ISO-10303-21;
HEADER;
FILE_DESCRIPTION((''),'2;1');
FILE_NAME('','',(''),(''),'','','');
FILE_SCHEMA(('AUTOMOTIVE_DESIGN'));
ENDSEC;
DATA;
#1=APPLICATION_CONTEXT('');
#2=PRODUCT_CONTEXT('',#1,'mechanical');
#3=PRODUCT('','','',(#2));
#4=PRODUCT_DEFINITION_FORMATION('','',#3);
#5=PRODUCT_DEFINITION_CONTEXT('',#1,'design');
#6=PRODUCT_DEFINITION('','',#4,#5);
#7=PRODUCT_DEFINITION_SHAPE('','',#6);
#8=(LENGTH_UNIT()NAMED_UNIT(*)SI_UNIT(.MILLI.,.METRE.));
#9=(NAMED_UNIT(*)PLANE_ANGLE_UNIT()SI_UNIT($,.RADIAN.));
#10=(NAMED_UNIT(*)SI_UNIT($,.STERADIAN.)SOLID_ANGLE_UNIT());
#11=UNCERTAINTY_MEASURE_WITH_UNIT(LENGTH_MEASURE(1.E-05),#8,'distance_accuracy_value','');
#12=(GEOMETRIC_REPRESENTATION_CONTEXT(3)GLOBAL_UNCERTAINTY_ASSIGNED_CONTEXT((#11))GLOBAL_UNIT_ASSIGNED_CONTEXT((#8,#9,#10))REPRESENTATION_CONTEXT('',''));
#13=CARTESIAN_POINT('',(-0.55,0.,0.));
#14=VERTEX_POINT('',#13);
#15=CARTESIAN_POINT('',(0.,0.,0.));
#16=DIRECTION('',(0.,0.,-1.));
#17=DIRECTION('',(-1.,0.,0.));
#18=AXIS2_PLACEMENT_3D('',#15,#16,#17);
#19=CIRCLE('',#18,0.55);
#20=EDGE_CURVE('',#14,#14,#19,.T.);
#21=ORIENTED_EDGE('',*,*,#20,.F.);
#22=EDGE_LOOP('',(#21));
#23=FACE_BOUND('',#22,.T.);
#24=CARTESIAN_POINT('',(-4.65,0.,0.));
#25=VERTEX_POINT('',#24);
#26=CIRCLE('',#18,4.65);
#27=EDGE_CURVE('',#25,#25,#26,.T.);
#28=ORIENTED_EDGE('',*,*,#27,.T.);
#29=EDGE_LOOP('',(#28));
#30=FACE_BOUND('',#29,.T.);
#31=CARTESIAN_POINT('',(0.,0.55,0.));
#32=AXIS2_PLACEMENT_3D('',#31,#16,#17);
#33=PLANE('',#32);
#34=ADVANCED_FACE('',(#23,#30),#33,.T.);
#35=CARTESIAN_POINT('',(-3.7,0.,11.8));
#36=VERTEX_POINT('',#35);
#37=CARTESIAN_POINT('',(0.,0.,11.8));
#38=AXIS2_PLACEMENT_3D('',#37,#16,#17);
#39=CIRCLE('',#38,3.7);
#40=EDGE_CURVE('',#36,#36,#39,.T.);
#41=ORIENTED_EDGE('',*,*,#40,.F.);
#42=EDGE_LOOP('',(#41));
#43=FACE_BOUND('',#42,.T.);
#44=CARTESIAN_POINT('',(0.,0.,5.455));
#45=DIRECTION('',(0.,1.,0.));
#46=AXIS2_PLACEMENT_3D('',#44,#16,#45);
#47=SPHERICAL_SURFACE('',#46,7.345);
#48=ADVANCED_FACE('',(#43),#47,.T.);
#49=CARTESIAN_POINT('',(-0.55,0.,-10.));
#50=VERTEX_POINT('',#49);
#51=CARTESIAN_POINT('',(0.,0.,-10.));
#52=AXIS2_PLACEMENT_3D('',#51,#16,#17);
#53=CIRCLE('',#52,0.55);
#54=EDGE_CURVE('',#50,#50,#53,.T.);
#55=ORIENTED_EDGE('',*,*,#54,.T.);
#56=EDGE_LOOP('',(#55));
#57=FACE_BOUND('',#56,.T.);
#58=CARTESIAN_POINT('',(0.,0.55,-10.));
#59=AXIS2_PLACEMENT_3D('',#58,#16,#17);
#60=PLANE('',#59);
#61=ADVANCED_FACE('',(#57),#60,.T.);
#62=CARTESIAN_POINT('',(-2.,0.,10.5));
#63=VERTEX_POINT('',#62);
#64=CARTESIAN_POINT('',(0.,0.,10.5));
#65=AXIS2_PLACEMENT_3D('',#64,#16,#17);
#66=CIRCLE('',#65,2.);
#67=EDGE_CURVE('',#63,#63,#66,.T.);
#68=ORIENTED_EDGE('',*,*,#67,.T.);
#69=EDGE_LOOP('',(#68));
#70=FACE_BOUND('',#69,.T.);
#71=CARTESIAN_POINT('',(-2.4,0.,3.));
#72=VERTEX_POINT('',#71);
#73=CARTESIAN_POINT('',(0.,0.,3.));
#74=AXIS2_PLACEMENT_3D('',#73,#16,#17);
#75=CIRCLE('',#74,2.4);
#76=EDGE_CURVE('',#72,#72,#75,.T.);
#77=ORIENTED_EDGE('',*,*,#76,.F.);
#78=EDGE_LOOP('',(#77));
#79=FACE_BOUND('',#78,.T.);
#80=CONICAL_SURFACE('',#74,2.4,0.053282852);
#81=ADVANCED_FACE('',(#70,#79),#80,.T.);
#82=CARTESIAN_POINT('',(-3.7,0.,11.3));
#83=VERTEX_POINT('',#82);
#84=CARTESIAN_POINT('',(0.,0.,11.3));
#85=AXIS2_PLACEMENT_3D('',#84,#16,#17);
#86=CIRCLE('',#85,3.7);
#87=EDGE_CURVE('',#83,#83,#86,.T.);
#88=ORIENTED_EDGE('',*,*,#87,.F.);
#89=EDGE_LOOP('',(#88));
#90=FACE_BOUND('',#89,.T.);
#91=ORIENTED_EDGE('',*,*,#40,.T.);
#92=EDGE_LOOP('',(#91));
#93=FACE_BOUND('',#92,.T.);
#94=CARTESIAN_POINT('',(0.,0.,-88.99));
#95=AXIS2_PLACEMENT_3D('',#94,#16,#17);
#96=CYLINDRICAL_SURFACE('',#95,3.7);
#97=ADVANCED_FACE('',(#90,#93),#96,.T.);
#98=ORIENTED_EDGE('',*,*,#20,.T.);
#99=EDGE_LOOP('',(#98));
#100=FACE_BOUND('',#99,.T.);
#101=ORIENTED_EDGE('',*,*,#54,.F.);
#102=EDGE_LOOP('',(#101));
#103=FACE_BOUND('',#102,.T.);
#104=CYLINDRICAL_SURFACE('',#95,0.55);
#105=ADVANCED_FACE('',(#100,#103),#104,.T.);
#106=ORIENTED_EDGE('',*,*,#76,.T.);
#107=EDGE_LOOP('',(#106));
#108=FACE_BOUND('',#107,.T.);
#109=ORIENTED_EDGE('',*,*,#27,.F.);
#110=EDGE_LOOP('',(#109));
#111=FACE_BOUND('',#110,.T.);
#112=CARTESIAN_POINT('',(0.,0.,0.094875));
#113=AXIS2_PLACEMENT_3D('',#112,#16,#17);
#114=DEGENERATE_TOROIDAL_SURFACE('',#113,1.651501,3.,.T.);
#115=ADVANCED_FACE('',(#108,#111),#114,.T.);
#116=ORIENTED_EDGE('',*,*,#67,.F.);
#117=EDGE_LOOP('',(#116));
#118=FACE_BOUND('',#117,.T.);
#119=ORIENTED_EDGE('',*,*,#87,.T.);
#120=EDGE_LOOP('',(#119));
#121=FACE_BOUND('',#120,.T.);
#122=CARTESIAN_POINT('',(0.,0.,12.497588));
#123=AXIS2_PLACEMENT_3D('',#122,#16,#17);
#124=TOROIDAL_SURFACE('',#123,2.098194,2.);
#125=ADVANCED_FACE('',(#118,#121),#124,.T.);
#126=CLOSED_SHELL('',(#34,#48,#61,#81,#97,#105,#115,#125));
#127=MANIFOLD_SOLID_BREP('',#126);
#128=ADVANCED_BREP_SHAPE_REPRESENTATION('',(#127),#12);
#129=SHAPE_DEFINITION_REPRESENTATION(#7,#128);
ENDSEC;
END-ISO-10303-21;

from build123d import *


with BuildPart() as part:
    # Sketch2 → Revolve1 (revolve)
    with BuildSketch(Plane(origin=(0, 0, 0), x_dir=(0, 0, -1), z_dir=(1, 0, 0))):
        with BuildLine():
            Line((10, 0.55), (0, 0.55))
            Line((0, 0.55), (0, 4.65))
            ThreePointArc((0, 4.65), (-1.89487545, 4.0515006), (-3, 2.4))
            Line((-3, 2.4), (-10.5, 2))
            ThreePointArc((-10.5, 2), (-10.687950632, 2.949787938), (-11.3, 3.7))
            Line((-11.3, 3.7), (-11.8, 3.7))
            ThreePointArc((-11.8, 3.7), (-12.545594122, 1.91637679), (-12.8, 0))
            Line((-12.8, 0), (0, 0))
            Line((0, 0), (10, 0))
            Line((10, 0), (10, 0.55))
        make_face()
    revolve(axis=Axis((0, 0, -88.99), (0, 0, 1)))


solid = part.part
